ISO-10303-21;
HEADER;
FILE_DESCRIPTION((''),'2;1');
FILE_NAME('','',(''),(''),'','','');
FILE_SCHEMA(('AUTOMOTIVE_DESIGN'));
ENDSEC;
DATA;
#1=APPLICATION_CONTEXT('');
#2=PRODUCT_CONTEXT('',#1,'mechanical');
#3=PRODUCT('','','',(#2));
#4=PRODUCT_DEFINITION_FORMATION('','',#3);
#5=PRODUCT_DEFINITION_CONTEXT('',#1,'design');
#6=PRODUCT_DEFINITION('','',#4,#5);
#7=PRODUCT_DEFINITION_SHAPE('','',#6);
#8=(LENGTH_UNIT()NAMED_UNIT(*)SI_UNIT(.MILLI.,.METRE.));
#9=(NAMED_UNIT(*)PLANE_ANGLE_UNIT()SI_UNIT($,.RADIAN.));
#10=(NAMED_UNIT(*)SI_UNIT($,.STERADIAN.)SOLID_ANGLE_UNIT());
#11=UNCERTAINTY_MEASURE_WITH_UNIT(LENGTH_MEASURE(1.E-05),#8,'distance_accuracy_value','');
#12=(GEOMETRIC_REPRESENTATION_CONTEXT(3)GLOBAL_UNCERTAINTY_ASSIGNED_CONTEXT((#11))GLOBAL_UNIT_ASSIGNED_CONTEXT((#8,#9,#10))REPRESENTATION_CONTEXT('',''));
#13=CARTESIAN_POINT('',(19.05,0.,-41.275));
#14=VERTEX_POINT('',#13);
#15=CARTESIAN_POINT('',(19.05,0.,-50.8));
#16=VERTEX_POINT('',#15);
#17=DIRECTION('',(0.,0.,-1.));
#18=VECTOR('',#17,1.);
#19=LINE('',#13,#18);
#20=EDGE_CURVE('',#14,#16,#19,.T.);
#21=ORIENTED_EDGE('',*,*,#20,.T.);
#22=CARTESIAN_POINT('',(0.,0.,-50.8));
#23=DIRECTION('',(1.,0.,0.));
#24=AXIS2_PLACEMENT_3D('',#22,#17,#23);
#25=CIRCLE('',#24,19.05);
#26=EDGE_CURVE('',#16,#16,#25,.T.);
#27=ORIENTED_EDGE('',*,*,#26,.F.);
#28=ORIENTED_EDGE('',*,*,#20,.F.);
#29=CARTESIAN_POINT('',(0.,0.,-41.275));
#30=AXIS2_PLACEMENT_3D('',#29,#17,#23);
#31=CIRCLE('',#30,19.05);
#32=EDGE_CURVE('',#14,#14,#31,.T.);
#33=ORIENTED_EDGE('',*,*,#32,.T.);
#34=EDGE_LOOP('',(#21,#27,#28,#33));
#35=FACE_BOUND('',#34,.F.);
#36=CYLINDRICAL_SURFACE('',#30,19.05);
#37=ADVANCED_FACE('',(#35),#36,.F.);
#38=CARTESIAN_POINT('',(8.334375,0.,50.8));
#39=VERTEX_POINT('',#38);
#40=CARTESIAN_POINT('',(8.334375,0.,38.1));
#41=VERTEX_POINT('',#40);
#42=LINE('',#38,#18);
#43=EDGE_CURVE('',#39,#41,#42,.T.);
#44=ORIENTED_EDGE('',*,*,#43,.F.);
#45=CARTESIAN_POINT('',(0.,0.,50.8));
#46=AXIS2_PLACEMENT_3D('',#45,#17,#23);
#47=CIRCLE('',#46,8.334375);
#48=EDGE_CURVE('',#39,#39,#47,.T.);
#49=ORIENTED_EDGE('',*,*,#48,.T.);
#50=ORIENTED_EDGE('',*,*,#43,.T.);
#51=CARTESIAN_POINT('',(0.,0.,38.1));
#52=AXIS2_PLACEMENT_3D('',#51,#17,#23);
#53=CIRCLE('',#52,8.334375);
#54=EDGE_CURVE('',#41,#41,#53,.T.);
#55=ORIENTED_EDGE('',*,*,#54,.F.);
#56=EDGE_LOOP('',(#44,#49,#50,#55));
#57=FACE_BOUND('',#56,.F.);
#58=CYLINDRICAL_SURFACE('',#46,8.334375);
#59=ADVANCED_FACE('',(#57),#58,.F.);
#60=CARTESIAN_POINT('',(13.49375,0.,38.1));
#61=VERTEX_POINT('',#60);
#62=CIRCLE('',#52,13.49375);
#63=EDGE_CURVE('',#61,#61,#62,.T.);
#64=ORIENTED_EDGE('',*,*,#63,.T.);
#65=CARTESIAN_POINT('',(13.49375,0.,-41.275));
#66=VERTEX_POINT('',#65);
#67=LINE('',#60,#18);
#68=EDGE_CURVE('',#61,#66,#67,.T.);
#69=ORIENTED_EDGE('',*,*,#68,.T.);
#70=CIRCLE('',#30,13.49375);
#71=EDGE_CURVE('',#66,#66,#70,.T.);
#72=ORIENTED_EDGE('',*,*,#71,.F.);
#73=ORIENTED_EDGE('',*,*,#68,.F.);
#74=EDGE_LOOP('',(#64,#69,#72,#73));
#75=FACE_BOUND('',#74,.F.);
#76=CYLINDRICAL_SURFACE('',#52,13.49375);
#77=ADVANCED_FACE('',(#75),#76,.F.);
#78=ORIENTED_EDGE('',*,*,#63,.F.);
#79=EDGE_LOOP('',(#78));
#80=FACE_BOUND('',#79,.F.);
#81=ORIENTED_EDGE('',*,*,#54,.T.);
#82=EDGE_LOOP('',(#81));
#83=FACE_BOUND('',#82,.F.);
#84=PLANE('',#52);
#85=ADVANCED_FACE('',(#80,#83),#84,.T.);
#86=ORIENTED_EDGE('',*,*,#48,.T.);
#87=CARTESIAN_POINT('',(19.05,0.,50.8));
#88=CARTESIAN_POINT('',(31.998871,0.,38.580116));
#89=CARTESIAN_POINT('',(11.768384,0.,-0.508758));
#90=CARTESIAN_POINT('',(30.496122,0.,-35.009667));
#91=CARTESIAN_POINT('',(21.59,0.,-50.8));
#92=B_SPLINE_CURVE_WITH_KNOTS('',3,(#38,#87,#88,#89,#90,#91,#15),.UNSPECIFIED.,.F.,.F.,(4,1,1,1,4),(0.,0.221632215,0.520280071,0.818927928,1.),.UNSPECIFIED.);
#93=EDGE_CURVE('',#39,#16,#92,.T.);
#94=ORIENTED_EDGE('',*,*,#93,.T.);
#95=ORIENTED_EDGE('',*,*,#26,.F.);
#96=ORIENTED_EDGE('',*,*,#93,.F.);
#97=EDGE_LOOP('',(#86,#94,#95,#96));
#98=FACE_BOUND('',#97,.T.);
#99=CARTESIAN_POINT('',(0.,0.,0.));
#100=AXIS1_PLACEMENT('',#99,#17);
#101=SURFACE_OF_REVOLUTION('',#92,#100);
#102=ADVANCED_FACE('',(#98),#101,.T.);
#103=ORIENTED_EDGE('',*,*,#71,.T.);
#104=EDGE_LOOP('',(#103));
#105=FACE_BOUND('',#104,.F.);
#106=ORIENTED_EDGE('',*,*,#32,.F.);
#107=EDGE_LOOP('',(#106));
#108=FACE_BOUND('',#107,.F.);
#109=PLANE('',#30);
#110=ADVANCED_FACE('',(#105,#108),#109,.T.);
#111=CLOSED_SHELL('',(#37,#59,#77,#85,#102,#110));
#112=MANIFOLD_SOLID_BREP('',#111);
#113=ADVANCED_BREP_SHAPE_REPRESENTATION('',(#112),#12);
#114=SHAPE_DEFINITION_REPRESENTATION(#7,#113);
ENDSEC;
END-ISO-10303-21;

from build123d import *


with BuildPart() as f1:
    # F0 (on Front) → F1 (revolve)
    with BuildSketch(Plane.XZ):
        with BuildLine():
            add(Edge.make_bspline(
                [(8.334375, 50.8), (19.05, 50.8), (31.9988707209, 38.5801155128), (11.7683842061, -0.5087576579), (30.4961221569, -35.0096671954), (21.59, -50.8), (19.05, -50.8)],
                knots=[0, 0, 0, 0, 0.2216322147, 0.5202800712, 0.8189279276, 1, 1, 1, 1], degree=3))
            Line((8.334375, 50.8), (8.334375, 38.1))
            Line((8.334375, 38.1), (13.49375, 38.1))
            Line((13.49375, 38.1), (13.49375, -41.275))
            Line((13.49375, -41.275), (19.05, -41.275))
            Line((19.05, -41.275), (19.05, -50.8))
        make_face()
    revolve(axis=Axis((0, 0, 0), (0, 0, -1)))


solid = f1.part
